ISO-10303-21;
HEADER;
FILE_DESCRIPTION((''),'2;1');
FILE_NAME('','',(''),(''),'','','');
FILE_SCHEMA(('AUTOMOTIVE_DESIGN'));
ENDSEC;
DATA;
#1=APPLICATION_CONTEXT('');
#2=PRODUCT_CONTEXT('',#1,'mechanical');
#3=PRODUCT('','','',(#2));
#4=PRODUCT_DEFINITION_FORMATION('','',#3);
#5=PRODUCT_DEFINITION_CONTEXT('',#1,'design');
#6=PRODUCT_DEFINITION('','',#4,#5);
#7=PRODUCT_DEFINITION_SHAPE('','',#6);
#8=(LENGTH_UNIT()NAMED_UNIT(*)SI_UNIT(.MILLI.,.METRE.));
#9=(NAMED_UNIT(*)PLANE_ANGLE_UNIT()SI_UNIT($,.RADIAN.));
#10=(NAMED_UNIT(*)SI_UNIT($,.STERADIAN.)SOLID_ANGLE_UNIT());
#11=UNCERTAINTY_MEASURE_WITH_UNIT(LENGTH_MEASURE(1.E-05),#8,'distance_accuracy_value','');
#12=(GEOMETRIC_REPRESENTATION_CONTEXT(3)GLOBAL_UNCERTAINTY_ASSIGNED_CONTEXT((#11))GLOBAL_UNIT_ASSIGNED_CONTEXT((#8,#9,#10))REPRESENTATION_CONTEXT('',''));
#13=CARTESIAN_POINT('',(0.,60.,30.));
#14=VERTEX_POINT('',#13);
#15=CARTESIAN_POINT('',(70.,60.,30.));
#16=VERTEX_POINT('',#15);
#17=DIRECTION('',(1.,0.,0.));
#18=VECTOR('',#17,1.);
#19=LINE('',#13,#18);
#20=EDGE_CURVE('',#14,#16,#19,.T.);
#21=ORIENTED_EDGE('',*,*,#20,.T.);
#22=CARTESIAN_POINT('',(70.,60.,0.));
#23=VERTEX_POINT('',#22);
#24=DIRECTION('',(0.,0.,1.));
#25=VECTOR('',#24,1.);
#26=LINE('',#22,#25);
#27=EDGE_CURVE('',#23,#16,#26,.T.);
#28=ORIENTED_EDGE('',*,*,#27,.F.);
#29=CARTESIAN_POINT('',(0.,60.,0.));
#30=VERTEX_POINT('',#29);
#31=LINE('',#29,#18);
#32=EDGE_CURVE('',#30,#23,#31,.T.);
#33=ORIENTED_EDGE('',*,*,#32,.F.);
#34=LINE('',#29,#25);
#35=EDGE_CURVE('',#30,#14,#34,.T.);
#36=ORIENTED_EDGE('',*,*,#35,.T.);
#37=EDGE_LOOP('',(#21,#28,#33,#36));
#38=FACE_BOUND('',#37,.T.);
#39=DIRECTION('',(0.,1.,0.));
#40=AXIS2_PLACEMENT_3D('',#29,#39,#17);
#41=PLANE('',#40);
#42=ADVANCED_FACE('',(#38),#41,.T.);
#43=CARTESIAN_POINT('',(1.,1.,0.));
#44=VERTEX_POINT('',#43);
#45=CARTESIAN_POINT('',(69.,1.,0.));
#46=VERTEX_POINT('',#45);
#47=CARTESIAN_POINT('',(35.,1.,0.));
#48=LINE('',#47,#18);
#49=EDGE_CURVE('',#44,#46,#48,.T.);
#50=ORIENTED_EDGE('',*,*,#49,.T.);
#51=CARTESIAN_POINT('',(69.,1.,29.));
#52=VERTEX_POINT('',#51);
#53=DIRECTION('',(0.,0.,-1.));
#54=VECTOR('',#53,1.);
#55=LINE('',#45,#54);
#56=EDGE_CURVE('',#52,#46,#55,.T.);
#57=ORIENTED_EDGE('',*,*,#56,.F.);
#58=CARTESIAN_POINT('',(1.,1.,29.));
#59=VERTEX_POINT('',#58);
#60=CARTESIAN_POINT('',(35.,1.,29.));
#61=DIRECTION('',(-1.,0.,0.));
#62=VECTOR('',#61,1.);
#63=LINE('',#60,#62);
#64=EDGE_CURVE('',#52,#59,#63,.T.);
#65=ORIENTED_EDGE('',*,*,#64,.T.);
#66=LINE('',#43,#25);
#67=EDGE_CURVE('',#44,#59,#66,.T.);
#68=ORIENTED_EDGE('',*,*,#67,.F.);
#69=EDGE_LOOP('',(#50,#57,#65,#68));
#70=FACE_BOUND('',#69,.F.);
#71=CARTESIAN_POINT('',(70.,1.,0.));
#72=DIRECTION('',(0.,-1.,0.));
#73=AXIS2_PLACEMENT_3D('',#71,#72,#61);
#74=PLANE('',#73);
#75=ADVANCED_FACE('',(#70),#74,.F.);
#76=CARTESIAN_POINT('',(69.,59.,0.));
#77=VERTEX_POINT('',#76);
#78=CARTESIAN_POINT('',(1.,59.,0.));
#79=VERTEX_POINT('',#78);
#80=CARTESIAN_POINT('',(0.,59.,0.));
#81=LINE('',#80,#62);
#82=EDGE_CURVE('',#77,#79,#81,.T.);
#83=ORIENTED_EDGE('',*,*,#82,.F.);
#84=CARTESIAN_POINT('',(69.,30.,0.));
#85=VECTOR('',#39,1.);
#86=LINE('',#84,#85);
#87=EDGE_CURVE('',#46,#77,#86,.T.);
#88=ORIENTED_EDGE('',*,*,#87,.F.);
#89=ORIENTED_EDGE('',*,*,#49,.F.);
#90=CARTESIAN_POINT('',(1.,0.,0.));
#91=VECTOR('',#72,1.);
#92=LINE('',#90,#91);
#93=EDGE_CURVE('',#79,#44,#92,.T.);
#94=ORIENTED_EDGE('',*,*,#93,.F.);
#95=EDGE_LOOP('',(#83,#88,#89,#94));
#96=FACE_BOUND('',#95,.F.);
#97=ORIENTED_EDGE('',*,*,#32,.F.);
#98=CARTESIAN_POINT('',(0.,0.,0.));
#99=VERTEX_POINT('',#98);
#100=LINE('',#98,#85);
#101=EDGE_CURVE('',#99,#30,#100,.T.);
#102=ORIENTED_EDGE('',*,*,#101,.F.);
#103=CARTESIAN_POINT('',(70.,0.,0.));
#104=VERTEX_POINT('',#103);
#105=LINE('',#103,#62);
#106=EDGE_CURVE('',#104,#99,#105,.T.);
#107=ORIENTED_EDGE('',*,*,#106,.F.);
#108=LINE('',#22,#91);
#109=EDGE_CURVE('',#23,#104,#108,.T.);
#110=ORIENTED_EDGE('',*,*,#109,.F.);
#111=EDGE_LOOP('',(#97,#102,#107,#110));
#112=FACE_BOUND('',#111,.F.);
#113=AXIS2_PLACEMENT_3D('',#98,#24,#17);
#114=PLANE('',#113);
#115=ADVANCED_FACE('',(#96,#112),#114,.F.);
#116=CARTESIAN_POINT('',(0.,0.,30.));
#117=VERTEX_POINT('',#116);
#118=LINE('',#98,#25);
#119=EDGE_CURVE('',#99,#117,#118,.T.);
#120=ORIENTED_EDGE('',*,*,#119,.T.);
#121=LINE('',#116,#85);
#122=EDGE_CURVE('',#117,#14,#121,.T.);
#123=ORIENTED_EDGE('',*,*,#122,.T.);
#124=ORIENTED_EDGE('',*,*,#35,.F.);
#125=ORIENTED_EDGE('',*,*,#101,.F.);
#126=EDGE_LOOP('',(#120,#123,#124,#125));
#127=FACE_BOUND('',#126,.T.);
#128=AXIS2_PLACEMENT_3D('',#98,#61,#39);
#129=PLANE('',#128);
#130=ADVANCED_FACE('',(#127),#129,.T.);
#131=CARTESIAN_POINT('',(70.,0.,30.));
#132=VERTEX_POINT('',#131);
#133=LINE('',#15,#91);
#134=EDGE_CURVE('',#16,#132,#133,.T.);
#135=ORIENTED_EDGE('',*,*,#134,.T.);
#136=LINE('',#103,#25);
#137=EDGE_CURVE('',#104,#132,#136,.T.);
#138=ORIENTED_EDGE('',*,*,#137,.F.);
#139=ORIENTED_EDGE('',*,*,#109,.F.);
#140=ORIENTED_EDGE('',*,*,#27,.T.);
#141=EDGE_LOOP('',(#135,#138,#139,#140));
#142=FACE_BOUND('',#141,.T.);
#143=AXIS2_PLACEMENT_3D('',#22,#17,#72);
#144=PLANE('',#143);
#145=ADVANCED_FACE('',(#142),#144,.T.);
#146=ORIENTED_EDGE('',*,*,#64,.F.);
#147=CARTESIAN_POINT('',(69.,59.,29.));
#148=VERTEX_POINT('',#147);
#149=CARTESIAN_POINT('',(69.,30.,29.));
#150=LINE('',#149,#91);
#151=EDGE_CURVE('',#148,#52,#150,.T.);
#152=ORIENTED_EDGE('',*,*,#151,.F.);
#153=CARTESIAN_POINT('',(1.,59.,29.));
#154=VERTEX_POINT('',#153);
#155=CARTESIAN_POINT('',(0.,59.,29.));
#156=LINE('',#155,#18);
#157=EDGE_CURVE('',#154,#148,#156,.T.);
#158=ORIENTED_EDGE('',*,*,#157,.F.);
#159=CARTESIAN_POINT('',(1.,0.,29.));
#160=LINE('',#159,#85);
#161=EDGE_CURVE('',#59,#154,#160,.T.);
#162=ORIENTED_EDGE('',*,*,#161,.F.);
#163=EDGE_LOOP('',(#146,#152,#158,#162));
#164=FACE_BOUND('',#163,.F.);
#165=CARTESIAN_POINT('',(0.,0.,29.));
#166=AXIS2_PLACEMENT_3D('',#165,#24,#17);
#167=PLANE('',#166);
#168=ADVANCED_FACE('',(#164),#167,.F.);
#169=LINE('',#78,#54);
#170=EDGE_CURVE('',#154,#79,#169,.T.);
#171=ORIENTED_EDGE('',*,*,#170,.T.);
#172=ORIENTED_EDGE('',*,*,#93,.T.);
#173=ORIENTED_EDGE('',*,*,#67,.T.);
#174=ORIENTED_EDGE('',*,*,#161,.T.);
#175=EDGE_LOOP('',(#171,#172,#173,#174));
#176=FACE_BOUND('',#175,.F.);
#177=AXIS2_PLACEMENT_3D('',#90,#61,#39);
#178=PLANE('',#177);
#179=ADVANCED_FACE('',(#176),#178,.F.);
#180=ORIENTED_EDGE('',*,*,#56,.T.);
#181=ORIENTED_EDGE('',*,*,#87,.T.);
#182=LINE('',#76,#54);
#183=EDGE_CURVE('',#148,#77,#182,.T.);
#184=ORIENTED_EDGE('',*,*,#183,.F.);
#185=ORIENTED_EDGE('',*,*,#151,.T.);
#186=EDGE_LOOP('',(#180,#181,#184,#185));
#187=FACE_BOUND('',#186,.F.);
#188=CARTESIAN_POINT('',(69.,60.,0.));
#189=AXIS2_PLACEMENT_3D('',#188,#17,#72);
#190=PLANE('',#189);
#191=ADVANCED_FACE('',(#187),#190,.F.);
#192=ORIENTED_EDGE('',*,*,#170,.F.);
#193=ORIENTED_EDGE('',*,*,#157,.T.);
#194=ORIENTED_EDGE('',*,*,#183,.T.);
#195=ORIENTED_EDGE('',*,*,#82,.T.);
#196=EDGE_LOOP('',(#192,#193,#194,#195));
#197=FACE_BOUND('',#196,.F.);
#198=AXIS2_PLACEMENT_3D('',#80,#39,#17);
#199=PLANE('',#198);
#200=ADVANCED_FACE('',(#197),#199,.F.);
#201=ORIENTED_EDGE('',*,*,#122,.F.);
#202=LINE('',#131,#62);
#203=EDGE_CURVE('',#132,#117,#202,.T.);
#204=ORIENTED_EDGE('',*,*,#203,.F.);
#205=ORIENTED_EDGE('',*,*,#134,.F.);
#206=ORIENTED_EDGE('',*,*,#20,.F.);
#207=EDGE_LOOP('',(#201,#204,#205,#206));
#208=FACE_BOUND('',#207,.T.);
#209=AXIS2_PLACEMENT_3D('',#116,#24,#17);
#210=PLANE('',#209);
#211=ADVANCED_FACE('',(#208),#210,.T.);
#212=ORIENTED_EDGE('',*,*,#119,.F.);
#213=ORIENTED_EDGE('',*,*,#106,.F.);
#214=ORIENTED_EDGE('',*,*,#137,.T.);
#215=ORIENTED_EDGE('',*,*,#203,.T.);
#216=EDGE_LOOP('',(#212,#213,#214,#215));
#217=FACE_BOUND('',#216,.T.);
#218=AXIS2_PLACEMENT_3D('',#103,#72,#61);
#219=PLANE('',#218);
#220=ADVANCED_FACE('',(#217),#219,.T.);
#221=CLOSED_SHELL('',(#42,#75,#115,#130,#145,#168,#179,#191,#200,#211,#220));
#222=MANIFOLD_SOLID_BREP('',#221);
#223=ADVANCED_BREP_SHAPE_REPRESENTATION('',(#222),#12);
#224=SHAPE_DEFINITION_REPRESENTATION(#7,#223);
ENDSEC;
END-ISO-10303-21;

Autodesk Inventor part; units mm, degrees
ref_plane "YZ Plane" through (0, 0, 0) normal (1, 0, 0) x (0, 1, 0)
ref_plane "XZ Plane" through (0, 0, 0) normal (0, 1, 0) x (-1, 0, 0)
ref_plane "XY Plane" through (0, 0, 0) normal (0, 0, 1) x (1, 0, 0)
sketch "Esquisse1" plane through (0, 0, 0) normal (0, 0, 1) x (1, 0, 0)
  line L0 (0, 0) -> (0, 60)
  line L1 (0, 60) -> (70, 60)
  line L2 (70, 60) -> (70, 0)
  line L3 (70, 0) -> (0, 0)
  dimension "d0" = 60
  dimension "d1" = 70
extrude "Extrusion1" add sketch "Esquisse1" along normal blind 30
shell "Coque1" thickness 1 removed faces 1 at (23.3333, 40, 0)
properties part number "Tete"
